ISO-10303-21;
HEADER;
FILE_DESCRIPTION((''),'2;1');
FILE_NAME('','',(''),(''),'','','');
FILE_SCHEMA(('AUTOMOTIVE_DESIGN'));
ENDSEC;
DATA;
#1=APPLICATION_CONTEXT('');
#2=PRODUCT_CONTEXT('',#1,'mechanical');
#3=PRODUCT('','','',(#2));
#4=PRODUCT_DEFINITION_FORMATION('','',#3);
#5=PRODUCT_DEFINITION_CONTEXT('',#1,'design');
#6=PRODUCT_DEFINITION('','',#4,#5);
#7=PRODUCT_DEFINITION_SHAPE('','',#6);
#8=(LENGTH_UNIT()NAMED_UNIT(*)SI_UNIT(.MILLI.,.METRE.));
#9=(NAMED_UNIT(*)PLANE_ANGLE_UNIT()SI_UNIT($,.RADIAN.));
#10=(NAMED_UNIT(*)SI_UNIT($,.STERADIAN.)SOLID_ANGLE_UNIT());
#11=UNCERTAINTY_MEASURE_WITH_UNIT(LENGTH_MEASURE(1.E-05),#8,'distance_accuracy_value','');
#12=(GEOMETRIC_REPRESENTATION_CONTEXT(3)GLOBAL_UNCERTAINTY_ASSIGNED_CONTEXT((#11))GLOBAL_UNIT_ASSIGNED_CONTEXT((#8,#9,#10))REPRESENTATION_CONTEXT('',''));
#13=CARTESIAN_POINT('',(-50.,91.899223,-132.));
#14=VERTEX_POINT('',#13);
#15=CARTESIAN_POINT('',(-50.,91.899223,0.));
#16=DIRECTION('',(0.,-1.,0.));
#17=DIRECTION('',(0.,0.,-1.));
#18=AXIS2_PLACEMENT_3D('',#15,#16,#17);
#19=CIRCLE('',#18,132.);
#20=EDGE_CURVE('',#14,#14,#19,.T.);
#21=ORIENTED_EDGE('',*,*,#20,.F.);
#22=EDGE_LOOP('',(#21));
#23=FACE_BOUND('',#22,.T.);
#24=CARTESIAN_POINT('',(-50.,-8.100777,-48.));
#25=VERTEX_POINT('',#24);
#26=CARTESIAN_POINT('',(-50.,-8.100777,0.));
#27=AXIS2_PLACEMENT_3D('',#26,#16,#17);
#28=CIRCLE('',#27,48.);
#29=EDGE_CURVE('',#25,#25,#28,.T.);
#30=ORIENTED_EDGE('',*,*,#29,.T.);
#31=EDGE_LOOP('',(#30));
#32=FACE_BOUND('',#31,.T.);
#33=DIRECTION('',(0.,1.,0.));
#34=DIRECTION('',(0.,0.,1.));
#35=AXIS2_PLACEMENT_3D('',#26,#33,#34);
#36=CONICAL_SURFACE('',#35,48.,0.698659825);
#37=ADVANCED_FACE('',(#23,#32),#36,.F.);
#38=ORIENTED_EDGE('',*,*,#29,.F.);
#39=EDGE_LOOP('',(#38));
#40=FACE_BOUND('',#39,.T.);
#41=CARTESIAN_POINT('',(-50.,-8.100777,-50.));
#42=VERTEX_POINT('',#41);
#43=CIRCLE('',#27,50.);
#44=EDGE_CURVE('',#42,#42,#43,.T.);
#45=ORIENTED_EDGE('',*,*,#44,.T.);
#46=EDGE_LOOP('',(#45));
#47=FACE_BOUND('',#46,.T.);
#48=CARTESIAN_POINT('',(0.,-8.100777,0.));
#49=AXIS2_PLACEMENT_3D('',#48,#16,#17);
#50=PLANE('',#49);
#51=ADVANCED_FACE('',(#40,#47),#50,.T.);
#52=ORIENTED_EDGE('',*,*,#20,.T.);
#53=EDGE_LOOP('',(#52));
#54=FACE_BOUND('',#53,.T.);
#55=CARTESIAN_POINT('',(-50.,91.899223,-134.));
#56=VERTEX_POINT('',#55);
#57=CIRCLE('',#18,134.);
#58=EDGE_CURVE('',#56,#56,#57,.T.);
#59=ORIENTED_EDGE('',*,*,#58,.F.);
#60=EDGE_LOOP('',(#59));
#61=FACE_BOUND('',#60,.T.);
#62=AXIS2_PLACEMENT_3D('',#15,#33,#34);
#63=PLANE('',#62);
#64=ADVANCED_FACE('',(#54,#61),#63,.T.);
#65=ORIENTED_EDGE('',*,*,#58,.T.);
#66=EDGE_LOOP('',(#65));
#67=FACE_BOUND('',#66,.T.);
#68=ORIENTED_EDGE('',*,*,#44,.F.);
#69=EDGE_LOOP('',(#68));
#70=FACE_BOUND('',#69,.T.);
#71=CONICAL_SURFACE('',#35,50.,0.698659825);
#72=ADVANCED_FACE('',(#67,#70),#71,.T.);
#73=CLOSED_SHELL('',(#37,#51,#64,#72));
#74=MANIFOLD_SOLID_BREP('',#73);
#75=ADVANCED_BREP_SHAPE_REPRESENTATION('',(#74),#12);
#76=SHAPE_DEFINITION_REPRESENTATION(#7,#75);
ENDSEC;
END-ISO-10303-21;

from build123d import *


with BuildPart() as part:
    # 草图1 → 旋转1 (revolve)
    with BuildSketch(Plane.XY, mode=Mode.PRIVATE) as revolve_1_sk:
        Polygon((-50, 91.899223095), (84, 91.899223095), (0, -8.100776905), (-50, -8.100776905), align=None)
    revolve(revolve_1_sk.sketch.rotate(Axis((-50, -8.100776905, 0), (0, 1, 0)), 90), axis=Axis((-50, -8.100776905, 0), (0, 1, 0)))

    # 草图2 → 切除-旋转2 (revolve, cut)
    with BuildSketch(Plane.XY, mode=Mode.PRIVATE) as cut_revolve_2_sk:
        Polygon((-50, 91.899223095), (82, 91.899223095), (-2, -8.100776905), (-50, -8.100776905), align=None)
    revolve(cut_revolve_2_sk.sketch.rotate(Axis((-50, -8.100776905, 0), (0, 1, 0)), 90), axis=Axis((-50, -8.100776905, 0), (0, 1, 0)), mode=Mode.SUBTRACT)


solid = part.part
